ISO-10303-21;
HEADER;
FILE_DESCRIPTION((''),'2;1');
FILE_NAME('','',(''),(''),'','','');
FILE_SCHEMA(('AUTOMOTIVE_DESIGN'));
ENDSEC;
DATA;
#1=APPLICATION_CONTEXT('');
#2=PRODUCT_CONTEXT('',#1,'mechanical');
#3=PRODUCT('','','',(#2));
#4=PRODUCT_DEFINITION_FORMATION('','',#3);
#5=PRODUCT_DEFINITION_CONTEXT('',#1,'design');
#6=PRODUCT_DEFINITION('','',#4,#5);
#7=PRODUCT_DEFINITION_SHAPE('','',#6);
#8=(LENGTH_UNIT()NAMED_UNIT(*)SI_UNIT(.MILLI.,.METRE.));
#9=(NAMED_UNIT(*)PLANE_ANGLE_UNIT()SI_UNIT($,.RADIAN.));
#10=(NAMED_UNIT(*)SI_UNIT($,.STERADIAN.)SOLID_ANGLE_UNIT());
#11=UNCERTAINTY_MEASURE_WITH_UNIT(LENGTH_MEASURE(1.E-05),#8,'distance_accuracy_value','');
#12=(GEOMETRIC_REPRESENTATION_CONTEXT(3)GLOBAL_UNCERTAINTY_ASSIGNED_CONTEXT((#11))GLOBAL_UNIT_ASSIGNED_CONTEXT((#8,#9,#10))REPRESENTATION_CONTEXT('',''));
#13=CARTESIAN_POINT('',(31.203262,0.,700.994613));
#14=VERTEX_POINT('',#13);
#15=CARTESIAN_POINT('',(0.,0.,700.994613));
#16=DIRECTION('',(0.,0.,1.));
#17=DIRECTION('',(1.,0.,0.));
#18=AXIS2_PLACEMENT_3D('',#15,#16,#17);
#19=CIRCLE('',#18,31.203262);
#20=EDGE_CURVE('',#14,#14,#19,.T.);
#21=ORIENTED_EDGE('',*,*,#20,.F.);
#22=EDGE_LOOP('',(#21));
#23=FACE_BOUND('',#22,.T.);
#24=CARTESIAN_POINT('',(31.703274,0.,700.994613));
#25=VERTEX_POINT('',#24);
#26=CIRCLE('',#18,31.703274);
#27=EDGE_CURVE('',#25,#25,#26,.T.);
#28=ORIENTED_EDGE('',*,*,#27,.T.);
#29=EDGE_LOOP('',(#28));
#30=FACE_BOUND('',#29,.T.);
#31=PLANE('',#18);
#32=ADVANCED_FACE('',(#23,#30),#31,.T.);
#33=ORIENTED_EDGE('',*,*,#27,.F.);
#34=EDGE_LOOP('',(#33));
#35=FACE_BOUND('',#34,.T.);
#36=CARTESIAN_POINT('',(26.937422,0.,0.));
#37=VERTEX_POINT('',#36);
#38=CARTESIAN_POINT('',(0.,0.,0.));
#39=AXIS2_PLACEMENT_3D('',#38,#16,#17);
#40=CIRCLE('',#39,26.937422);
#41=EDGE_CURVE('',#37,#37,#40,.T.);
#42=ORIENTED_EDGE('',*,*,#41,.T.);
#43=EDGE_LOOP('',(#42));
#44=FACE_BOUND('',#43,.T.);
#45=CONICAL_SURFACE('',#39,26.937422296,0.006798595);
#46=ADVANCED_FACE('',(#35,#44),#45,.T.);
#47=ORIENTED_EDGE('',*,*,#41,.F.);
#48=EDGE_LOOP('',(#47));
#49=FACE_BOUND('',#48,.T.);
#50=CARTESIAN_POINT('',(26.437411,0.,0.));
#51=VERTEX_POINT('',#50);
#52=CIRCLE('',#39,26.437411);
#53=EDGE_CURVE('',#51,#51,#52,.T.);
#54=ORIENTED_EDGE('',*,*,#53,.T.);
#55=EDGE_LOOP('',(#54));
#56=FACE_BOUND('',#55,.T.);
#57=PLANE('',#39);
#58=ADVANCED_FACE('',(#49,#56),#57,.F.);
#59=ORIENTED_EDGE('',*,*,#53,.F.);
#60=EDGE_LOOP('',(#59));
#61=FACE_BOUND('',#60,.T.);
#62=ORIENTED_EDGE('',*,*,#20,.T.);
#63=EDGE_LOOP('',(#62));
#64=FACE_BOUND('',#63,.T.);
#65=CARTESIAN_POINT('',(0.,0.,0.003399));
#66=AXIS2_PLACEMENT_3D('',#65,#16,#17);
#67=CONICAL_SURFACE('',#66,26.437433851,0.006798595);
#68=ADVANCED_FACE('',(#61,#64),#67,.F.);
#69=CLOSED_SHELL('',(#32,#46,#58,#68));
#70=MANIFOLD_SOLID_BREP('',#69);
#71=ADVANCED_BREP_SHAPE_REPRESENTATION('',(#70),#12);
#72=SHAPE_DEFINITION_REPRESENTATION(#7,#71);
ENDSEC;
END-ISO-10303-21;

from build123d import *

# Parameters (mm, degrees)
SKETCH1_R = 26.937422296
SKETCH2_R = 31.703273933
SHELL1_T  = -0.5


with BuildPart() as part:
    # Sketch1 → Loft1 section 0
    with BuildSketch(Plane.XY):
        Circle(SKETCH1_R)
    # Sketch2 → Loft1 section 1
    with BuildSketch(Plane.XY.offset(700.99461252)):
        Circle(SKETCH2_R)
    loft()

    # Shell1
    shell1_openings = [part.faces().sort_by_distance(p)[0] for p in [
        (0, 0, 700.99461252),
        (0, 0, 0),
    ]]
    offset(amount=SHELL1_T, openings=shell1_openings, kind=Kind.INTERSECTION)


solid = part.part
